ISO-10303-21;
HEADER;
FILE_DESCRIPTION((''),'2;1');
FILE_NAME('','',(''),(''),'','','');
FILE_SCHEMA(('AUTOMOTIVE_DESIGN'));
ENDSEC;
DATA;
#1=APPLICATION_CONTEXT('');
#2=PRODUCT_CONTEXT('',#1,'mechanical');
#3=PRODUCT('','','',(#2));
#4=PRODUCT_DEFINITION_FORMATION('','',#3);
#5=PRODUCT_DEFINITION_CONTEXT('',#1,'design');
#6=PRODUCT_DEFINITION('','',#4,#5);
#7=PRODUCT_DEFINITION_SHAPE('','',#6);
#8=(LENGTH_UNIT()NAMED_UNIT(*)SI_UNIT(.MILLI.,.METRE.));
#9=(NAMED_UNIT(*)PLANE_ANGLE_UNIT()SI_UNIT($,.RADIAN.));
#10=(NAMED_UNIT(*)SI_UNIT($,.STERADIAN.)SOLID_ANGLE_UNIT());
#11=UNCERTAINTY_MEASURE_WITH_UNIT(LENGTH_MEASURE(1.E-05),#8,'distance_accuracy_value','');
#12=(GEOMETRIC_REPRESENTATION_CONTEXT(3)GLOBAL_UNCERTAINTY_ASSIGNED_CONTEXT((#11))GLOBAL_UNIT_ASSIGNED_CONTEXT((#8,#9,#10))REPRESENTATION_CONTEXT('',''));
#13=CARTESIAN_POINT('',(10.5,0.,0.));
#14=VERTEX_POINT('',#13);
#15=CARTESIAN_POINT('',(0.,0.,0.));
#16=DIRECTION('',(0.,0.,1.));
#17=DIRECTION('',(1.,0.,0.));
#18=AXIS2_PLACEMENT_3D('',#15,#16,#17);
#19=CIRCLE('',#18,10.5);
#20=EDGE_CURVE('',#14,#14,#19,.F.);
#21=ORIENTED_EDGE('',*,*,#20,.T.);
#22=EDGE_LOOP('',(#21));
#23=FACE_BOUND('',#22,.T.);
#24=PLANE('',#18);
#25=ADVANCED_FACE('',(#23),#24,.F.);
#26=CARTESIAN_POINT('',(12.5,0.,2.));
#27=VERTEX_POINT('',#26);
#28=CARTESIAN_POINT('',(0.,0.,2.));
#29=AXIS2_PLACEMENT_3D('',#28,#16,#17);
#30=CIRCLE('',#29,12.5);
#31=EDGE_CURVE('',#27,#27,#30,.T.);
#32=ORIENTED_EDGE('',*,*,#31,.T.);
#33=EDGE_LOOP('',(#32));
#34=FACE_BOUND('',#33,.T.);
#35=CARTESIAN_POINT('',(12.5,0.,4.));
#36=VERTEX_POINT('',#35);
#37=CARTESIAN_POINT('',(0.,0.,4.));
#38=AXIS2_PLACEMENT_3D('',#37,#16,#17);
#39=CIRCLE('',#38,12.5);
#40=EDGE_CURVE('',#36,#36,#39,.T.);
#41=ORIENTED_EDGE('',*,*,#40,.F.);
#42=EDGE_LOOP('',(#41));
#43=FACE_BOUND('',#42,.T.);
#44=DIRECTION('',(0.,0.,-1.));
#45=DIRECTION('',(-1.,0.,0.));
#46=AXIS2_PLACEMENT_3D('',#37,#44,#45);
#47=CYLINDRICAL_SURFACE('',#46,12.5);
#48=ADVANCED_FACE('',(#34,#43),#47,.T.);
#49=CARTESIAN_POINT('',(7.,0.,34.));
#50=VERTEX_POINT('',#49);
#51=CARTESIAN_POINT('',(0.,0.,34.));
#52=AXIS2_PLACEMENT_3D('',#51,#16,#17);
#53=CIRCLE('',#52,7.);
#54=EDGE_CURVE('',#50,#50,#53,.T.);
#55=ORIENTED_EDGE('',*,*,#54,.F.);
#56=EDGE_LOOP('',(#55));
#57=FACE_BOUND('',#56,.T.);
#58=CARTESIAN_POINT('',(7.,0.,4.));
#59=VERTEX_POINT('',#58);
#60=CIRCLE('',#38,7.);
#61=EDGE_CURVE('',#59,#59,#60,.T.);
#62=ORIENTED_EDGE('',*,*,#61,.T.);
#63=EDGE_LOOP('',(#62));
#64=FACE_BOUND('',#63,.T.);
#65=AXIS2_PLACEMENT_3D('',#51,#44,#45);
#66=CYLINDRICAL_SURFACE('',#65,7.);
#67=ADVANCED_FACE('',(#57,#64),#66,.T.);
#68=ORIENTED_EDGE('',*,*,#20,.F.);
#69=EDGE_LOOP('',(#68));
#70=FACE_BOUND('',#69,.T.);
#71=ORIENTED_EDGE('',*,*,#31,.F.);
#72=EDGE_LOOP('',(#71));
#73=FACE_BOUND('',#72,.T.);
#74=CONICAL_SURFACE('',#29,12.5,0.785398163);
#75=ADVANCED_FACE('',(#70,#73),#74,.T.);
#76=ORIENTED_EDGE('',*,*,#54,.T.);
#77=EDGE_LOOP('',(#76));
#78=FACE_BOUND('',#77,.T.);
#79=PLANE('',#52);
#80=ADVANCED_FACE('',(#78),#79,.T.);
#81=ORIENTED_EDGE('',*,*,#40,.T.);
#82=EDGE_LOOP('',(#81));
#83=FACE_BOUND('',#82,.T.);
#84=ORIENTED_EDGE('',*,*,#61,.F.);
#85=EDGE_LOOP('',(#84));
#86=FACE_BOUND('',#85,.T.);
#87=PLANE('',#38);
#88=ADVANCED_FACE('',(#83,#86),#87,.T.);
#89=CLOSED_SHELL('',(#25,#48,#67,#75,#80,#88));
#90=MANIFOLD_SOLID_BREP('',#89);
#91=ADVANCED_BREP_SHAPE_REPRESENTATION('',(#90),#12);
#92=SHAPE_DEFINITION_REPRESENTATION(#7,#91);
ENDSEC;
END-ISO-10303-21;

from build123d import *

# Parameters (mm, degrees)
SKETCH1_R           = 12.5
BOSS_EXTRUDE1_DEPTH = 4
SKETCH2_R           = 7
BOSS_EXTRUDE2_DEPTH = 30
CHAMFER1_SIZE       = 2


with BuildPart() as part:
    # Sketch1 → Boss-Extrude1 (new body)
    with BuildSketch(Plane.XY):
        Circle(SKETCH1_R)
    extrude(amount=BOSS_EXTRUDE1_DEPTH)

    # Sketch2 → Boss-Extrude2 (add)
    with BuildSketch(Plane.XY.offset(4)):
        Circle(SKETCH2_R)
    extrude(amount=BOSS_EXTRUDE2_DEPTH)

    # Chamfer1
    chamfer1_edges = [part.edges().sort_by_distance(p)[0] for p in [
        (-12.5, 0, 0),
    ]]
    chamfer(chamfer1_edges, length=CHAMFER1_SIZE)


solid = part.part
